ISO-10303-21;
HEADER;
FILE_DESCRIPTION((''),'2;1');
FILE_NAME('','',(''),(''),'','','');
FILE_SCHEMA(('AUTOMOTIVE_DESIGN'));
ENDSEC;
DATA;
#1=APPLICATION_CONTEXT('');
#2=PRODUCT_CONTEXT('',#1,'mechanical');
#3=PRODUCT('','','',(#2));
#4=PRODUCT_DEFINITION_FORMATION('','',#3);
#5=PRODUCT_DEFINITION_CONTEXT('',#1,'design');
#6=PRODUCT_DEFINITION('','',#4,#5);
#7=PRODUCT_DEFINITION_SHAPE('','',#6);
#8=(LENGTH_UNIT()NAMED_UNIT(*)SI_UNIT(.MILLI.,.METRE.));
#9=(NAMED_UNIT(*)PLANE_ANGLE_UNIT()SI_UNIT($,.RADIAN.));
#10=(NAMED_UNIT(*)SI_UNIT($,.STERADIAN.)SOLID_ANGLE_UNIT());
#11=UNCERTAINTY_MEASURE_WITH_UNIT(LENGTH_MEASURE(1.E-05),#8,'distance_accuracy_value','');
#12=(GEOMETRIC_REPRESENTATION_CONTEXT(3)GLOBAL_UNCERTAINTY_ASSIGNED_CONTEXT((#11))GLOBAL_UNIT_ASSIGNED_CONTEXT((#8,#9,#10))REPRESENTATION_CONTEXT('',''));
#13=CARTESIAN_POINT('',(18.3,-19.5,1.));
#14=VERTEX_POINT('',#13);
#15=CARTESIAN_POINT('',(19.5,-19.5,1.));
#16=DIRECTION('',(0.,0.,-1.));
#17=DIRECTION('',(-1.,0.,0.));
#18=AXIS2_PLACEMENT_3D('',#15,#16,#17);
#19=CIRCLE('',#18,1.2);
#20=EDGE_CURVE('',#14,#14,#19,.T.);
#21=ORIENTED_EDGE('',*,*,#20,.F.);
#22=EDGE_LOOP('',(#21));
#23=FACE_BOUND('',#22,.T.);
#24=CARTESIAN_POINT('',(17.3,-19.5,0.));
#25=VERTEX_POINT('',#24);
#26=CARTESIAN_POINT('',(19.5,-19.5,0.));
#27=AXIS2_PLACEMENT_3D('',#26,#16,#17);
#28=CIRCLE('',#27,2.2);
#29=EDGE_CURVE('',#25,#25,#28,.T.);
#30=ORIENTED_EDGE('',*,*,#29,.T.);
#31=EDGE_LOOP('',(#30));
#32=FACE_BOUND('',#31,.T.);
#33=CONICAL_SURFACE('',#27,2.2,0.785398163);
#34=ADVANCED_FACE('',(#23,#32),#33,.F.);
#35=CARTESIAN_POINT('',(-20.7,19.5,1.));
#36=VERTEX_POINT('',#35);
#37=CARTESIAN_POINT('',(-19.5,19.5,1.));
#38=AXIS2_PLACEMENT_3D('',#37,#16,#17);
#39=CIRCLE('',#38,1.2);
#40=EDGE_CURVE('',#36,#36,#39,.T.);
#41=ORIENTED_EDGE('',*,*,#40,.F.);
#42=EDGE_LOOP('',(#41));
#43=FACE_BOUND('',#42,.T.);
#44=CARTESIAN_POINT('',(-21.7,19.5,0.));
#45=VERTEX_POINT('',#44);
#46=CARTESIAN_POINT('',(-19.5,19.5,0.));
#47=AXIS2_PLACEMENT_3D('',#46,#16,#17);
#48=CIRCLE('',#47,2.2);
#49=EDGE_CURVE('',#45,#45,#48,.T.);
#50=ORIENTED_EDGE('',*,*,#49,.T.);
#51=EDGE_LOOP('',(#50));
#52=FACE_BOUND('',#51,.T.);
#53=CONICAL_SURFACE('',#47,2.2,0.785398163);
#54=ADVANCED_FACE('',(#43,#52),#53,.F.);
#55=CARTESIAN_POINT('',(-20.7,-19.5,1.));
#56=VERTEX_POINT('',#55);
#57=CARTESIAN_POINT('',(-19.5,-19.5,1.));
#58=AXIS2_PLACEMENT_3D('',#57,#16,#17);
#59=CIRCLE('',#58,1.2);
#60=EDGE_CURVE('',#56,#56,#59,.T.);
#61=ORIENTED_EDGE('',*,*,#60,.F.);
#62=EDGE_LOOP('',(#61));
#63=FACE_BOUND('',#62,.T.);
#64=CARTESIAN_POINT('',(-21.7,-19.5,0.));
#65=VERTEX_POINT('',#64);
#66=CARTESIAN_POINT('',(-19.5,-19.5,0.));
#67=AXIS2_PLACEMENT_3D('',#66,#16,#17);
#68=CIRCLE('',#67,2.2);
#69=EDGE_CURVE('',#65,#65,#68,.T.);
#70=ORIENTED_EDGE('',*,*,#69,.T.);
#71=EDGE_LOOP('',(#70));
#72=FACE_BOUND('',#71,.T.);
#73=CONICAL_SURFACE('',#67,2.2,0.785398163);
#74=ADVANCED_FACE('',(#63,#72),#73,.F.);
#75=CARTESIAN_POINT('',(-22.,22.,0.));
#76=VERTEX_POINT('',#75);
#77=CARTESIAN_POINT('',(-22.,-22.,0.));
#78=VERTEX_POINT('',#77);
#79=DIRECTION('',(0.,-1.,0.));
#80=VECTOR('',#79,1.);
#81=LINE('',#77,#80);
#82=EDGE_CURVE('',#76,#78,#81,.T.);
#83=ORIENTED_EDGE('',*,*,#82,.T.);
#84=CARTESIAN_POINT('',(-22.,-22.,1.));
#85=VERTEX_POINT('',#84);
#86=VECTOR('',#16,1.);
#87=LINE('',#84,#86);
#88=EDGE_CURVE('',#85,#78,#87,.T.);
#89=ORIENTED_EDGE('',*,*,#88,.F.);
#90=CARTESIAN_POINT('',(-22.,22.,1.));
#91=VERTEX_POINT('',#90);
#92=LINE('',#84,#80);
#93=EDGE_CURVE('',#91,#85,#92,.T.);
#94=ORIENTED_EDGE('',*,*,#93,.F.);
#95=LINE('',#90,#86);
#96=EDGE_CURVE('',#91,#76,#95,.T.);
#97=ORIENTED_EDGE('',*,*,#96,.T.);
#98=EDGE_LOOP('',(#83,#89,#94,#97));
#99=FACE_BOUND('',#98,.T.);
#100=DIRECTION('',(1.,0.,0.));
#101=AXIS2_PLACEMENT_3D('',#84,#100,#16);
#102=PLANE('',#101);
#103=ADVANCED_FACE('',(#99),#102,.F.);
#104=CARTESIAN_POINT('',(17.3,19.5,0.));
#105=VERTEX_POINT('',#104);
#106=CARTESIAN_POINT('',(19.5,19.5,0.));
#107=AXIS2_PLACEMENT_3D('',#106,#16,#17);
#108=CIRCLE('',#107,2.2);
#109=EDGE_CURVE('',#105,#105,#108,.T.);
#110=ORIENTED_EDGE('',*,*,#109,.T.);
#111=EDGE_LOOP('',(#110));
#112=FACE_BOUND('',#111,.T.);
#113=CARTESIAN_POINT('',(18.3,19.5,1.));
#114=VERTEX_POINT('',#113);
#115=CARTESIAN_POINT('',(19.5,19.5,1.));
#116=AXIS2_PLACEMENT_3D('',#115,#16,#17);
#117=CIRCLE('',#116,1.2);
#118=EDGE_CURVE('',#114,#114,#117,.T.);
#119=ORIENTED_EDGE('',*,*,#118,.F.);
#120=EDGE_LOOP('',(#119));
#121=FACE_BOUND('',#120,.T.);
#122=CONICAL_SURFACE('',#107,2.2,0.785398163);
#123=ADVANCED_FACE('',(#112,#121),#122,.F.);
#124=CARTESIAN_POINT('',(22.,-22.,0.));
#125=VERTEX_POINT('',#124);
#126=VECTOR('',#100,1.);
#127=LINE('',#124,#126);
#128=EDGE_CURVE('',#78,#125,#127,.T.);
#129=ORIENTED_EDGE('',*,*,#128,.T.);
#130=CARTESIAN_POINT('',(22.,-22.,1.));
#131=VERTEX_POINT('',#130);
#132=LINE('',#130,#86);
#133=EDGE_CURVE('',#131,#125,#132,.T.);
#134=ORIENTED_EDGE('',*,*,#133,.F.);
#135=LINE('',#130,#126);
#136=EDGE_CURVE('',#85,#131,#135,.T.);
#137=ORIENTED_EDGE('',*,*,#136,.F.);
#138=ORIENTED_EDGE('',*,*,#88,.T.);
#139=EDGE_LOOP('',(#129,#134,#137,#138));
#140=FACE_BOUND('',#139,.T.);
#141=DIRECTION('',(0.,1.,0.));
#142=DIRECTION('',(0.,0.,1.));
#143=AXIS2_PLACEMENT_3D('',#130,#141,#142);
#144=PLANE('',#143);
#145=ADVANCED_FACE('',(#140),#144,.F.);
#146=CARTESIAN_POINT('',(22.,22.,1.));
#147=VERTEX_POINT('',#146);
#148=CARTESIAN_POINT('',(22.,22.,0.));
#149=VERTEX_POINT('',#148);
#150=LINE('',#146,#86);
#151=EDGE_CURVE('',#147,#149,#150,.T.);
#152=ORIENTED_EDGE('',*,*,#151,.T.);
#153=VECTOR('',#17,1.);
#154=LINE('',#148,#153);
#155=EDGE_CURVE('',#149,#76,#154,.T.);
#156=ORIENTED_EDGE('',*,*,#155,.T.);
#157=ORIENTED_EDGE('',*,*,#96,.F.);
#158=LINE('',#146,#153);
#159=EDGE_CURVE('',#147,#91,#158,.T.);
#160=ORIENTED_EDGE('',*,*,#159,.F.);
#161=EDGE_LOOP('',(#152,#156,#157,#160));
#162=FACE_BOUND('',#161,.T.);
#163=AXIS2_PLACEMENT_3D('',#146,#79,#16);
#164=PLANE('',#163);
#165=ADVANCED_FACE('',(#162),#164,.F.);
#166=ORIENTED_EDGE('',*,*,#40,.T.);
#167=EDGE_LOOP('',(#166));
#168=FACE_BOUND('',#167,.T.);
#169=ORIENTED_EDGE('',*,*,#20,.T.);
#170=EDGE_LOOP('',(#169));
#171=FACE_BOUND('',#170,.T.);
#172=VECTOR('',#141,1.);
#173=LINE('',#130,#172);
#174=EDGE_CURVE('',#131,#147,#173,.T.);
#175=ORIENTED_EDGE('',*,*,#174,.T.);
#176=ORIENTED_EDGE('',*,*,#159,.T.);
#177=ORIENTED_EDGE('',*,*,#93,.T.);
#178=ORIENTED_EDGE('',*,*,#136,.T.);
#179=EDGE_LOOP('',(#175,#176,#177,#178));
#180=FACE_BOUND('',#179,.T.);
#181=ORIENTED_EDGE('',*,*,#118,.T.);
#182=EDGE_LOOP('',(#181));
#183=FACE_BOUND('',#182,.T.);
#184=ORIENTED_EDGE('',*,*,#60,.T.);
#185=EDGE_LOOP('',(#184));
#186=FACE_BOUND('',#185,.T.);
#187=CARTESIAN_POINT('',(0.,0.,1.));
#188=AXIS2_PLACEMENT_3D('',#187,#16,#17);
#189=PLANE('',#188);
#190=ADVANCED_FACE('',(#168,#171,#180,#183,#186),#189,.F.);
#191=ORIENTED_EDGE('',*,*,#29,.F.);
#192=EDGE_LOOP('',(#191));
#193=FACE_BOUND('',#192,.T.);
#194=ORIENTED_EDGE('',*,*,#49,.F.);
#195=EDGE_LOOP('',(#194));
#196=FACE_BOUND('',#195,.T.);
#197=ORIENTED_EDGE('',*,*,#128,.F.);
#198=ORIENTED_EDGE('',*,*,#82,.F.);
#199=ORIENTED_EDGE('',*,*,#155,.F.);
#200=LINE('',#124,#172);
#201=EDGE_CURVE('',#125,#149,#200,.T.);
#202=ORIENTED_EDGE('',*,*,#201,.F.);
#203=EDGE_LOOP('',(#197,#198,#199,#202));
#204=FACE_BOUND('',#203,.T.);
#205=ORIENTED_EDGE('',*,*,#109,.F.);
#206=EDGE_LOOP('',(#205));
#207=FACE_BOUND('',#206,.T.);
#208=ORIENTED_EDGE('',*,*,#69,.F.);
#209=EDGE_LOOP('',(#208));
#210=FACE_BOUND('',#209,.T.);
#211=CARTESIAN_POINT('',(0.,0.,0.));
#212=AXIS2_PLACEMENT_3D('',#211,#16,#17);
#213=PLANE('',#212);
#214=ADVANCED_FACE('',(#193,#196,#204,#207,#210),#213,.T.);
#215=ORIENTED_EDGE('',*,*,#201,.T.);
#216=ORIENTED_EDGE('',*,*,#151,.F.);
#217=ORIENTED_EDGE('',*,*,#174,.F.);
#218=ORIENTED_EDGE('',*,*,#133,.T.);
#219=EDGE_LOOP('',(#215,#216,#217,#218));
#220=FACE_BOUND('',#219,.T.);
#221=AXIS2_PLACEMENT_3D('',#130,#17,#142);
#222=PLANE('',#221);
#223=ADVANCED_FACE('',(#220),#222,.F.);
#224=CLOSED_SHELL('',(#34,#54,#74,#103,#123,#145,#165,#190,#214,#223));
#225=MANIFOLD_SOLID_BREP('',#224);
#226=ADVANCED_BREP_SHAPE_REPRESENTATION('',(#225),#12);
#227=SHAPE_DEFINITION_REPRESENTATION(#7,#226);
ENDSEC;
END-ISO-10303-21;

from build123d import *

# Parameters (mm, degrees)
ESQUISSE1_W                                 = 44
ESQUISSE1_H                                 = 44
BOSS_EXTRU_1_DEPTH                          = 1
FRAISAGE_POUR_VIS_T_TE_FRAIS_E_M21_AT_COUNT = 2
FRAISAGE_POUR_VIS_T_TE_FRAIS_E_M21_AT_PITCH = 39


with BuildPart() as part:
    # Esquisse1 → Boss.-Extru.1 (new body)
    with BuildSketch(Plane(origin=(0, 0, 0), x_dir=(0, 1, 0), z_dir=(0, 0, 1))):
        Rectangle(ESQUISSE1_W, ESQUISSE1_H)
    extrude(amount=BOSS_EXTRU_1_DEPTH)

    # Esquisse3 → Fraisage pour vis à tête fraisée M21 (revolve, cut)
    with BuildSketch(Plane(origin=(19.5, 19.5, 0), x_dir=(0, 1, 0), z_dir=(1, 0, 0))):
        Polygon((0, 0), (0, 2), (1.2, 2), (1.2, 1), (2.2, 0), align=None)
    fraisage_pour_vis_t_te_frais_e_m21 = revolve(axis=Axis((19.5, 19.5, -6.35), (0, 0, 1)), mode=Mode.SUBTRACT)

    # Fraisage pour vis à tête fraisée M21 at: Fraisage pour vis à tête fraisée M21 ×2
    with Locations(*[(-i * FRAISAGE_POUR_VIS_T_TE_FRAIS_E_M21_AT_PITCH, 0, 0) for i in range(1, FRAISAGE_POUR_VIS_T_TE_FRAIS_E_M21_AT_COUNT)]):
        add(fraisage_pour_vis_t_te_frais_e_m21, mode=Mode.SUBTRACT)

    # Symétrie2: Fraisage pour vis à tête fraisée M21 across plane
    add(fraisage_pour_vis_t_te_frais_e_m21.mirror(Plane.ZX), mode=Mode.SUBTRACT)

    # Symétrie2 copy 1 sketch → Symétrie2 copy 1 (revolve, cut)
    with BuildSketch(Plane(origin=(-19.5, -19.5, 0), x_dir=(0, -1, 0), z_dir=(1, 0, 0))):
        Polygon((0, 0), (0, -2), (1.2, -2), (1.2, -1), (2.2, 0), align=None)
    revolve(axis=Axis((-19.5, -19.5, -6.35), (0, 0, -1)), mode=Mode.SUBTRACT)


solid = part.part
